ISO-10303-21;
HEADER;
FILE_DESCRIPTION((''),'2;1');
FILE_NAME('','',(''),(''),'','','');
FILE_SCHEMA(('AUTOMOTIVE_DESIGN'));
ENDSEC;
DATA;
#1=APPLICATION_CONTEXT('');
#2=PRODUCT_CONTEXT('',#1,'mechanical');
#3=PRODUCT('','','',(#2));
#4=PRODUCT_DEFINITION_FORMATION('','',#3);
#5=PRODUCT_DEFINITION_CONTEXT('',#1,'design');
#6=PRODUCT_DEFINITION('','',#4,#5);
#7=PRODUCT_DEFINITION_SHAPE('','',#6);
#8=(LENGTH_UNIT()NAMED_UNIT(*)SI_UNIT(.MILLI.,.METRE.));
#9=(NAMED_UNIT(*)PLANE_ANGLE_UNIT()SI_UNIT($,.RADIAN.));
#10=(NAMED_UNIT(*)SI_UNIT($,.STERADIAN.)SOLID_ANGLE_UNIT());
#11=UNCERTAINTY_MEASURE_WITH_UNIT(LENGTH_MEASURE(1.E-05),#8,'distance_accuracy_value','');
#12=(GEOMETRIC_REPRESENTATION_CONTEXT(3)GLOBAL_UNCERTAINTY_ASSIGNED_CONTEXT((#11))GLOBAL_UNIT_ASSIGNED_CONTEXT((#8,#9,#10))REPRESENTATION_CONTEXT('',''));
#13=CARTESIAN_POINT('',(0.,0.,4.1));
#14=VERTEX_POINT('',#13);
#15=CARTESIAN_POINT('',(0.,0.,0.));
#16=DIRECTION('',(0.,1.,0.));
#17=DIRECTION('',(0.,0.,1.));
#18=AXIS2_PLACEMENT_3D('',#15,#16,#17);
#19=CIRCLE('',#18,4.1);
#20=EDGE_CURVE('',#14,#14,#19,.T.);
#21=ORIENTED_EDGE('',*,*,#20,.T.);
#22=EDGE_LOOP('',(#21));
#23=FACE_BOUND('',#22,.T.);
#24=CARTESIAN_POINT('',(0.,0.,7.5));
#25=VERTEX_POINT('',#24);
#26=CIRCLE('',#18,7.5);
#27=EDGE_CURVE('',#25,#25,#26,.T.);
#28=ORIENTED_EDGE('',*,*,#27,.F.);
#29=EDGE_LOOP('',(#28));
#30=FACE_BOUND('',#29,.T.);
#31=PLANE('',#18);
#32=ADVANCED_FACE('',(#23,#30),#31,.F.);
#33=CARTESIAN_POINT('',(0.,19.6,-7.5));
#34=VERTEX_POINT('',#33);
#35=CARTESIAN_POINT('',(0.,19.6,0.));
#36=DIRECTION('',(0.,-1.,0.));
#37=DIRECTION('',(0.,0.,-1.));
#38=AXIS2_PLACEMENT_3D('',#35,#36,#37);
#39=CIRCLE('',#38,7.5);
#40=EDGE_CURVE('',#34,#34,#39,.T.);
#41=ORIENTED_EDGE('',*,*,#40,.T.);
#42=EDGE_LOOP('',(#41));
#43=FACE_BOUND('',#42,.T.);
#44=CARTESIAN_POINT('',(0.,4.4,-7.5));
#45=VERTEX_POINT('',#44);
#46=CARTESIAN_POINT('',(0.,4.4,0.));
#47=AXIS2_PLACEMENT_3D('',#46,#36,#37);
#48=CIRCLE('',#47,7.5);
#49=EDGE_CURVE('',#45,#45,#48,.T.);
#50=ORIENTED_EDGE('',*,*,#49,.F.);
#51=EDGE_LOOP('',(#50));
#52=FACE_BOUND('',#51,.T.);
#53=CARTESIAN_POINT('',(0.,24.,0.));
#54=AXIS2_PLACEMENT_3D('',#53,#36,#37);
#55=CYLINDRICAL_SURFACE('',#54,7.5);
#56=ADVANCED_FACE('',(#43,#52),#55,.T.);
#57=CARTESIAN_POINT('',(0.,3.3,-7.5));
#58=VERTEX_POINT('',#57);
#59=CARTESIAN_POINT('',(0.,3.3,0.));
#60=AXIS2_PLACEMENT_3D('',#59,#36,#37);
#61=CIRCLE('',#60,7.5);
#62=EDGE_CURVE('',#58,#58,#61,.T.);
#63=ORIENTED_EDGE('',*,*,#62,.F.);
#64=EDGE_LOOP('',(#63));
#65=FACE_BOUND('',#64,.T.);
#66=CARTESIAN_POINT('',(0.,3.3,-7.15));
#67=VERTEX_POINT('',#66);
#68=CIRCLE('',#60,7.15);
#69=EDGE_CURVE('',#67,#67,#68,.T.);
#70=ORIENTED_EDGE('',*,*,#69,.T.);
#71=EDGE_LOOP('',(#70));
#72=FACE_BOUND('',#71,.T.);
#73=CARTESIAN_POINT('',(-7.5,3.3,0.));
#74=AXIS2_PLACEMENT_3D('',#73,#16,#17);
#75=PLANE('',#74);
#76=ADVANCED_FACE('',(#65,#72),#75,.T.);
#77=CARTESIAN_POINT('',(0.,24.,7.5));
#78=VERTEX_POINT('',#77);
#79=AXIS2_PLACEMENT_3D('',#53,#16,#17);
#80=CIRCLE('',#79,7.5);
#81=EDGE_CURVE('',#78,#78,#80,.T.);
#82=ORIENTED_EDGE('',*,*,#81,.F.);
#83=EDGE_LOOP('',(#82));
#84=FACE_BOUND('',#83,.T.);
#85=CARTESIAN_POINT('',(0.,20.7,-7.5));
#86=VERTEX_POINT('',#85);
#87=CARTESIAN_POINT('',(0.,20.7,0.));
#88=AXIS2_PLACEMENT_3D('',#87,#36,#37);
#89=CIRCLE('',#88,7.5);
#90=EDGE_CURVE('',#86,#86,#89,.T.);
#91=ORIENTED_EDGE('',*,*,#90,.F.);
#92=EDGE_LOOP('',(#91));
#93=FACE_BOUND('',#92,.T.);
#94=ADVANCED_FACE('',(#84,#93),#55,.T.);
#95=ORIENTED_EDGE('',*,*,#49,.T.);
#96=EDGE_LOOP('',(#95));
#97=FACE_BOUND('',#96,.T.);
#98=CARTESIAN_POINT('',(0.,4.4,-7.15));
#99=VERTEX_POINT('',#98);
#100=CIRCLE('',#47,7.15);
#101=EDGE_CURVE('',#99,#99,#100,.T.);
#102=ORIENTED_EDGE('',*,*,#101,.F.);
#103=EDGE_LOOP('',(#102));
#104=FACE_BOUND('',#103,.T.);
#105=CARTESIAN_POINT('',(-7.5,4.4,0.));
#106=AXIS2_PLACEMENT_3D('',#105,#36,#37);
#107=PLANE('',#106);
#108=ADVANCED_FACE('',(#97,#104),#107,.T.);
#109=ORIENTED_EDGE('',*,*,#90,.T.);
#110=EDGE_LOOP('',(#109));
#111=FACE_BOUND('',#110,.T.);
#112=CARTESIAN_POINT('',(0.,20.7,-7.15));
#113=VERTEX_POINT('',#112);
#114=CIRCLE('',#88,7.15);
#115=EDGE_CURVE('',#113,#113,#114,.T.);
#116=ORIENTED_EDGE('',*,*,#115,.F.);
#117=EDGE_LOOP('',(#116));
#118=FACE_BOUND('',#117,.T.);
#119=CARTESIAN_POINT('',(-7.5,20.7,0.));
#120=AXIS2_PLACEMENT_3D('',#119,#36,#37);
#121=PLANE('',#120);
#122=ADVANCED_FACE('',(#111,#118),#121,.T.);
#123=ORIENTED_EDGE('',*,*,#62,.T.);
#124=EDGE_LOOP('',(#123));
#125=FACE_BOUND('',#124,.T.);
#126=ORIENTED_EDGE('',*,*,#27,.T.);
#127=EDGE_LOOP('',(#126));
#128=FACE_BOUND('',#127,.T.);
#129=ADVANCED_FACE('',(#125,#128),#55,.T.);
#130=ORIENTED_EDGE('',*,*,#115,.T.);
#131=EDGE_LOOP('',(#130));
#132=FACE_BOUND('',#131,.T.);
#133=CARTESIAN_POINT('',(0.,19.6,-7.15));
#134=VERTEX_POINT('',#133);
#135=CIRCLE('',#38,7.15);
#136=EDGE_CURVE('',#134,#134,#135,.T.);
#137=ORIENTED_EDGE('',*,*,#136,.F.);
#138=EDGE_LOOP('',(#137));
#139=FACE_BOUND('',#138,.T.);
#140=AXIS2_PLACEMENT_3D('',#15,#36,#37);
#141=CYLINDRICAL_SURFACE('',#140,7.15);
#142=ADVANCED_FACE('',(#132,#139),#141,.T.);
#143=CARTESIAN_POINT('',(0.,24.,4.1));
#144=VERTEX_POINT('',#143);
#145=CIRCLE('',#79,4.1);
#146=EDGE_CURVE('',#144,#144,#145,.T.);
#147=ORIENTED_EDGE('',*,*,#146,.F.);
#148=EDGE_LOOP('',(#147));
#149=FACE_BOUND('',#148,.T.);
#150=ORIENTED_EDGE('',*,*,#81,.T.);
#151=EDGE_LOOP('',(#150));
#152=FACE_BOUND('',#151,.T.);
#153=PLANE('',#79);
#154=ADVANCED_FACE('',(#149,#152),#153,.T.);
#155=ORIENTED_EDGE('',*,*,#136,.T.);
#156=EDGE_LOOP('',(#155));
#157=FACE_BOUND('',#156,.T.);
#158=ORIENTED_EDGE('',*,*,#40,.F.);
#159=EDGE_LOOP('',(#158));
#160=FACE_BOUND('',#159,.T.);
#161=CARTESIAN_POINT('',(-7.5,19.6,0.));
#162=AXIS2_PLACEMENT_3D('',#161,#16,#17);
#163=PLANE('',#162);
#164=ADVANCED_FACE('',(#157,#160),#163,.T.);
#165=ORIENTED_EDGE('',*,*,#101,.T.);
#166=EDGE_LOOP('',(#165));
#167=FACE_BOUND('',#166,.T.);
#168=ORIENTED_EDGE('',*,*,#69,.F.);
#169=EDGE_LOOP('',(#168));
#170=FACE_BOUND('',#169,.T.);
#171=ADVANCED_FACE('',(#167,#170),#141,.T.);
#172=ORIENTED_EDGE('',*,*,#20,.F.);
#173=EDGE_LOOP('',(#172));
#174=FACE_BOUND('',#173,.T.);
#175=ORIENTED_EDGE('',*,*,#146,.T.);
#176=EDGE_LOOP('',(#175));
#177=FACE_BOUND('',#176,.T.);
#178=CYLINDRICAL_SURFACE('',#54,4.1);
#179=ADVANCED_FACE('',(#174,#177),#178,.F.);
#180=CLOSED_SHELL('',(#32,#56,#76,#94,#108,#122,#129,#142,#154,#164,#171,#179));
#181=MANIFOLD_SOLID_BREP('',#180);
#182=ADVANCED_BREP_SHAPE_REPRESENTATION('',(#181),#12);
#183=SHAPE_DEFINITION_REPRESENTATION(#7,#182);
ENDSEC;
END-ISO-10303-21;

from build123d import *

# Parameters (mm, degrees)
CROQUIS1_R              = 7.5
CROQUIS1_R_2            = 4.1
SALIENTE_EXTRUIR1_DEPTH = 24
CROQUIS2_W              = 0.35
CROQUIS2_H              = 1.1


with BuildPart() as part:
    # Croquis1 → Saliente-Extruir1 (new body)
    with BuildSketch(Plane(origin=(0, 0, 0), x_dir=(1, 0, 0), z_dir=(0, 1, 0))):
        with Locations(Location((0, 0, 0), (0, 0, 270))):
            Circle(CROQUIS1_R)
        with Locations(Location((0, 0, 0), (0, 0, 270))):
            Circle(CROQUIS1_R_2, mode=Mode.SUBTRACT)
    extrude(amount=SALIENTE_EXTRUIR1_DEPTH)

    # Croquis2 → Cortar-Revolución1 (revolve, cut)
    with BuildSketch(Plane.XY, mode=Mode.PRIVATE) as cortar_revoluci_n1_sk:
        with Locations((-7.325, 20.15)):
            Rectangle(CROQUIS2_W, CROQUIS2_H)
        with Locations((-7.325, 3.85)):
            Rectangle(CROQUIS2_W, CROQUIS2_H)
    revolve(cortar_revoluci_n1_sk.sketch.rotate(Axis((0, 0, 0), (0, 1, 0)), 270), axis=Axis((0, 0, 0), (0, 1, 0)), mode=Mode.SUBTRACT)


solid = part.part
